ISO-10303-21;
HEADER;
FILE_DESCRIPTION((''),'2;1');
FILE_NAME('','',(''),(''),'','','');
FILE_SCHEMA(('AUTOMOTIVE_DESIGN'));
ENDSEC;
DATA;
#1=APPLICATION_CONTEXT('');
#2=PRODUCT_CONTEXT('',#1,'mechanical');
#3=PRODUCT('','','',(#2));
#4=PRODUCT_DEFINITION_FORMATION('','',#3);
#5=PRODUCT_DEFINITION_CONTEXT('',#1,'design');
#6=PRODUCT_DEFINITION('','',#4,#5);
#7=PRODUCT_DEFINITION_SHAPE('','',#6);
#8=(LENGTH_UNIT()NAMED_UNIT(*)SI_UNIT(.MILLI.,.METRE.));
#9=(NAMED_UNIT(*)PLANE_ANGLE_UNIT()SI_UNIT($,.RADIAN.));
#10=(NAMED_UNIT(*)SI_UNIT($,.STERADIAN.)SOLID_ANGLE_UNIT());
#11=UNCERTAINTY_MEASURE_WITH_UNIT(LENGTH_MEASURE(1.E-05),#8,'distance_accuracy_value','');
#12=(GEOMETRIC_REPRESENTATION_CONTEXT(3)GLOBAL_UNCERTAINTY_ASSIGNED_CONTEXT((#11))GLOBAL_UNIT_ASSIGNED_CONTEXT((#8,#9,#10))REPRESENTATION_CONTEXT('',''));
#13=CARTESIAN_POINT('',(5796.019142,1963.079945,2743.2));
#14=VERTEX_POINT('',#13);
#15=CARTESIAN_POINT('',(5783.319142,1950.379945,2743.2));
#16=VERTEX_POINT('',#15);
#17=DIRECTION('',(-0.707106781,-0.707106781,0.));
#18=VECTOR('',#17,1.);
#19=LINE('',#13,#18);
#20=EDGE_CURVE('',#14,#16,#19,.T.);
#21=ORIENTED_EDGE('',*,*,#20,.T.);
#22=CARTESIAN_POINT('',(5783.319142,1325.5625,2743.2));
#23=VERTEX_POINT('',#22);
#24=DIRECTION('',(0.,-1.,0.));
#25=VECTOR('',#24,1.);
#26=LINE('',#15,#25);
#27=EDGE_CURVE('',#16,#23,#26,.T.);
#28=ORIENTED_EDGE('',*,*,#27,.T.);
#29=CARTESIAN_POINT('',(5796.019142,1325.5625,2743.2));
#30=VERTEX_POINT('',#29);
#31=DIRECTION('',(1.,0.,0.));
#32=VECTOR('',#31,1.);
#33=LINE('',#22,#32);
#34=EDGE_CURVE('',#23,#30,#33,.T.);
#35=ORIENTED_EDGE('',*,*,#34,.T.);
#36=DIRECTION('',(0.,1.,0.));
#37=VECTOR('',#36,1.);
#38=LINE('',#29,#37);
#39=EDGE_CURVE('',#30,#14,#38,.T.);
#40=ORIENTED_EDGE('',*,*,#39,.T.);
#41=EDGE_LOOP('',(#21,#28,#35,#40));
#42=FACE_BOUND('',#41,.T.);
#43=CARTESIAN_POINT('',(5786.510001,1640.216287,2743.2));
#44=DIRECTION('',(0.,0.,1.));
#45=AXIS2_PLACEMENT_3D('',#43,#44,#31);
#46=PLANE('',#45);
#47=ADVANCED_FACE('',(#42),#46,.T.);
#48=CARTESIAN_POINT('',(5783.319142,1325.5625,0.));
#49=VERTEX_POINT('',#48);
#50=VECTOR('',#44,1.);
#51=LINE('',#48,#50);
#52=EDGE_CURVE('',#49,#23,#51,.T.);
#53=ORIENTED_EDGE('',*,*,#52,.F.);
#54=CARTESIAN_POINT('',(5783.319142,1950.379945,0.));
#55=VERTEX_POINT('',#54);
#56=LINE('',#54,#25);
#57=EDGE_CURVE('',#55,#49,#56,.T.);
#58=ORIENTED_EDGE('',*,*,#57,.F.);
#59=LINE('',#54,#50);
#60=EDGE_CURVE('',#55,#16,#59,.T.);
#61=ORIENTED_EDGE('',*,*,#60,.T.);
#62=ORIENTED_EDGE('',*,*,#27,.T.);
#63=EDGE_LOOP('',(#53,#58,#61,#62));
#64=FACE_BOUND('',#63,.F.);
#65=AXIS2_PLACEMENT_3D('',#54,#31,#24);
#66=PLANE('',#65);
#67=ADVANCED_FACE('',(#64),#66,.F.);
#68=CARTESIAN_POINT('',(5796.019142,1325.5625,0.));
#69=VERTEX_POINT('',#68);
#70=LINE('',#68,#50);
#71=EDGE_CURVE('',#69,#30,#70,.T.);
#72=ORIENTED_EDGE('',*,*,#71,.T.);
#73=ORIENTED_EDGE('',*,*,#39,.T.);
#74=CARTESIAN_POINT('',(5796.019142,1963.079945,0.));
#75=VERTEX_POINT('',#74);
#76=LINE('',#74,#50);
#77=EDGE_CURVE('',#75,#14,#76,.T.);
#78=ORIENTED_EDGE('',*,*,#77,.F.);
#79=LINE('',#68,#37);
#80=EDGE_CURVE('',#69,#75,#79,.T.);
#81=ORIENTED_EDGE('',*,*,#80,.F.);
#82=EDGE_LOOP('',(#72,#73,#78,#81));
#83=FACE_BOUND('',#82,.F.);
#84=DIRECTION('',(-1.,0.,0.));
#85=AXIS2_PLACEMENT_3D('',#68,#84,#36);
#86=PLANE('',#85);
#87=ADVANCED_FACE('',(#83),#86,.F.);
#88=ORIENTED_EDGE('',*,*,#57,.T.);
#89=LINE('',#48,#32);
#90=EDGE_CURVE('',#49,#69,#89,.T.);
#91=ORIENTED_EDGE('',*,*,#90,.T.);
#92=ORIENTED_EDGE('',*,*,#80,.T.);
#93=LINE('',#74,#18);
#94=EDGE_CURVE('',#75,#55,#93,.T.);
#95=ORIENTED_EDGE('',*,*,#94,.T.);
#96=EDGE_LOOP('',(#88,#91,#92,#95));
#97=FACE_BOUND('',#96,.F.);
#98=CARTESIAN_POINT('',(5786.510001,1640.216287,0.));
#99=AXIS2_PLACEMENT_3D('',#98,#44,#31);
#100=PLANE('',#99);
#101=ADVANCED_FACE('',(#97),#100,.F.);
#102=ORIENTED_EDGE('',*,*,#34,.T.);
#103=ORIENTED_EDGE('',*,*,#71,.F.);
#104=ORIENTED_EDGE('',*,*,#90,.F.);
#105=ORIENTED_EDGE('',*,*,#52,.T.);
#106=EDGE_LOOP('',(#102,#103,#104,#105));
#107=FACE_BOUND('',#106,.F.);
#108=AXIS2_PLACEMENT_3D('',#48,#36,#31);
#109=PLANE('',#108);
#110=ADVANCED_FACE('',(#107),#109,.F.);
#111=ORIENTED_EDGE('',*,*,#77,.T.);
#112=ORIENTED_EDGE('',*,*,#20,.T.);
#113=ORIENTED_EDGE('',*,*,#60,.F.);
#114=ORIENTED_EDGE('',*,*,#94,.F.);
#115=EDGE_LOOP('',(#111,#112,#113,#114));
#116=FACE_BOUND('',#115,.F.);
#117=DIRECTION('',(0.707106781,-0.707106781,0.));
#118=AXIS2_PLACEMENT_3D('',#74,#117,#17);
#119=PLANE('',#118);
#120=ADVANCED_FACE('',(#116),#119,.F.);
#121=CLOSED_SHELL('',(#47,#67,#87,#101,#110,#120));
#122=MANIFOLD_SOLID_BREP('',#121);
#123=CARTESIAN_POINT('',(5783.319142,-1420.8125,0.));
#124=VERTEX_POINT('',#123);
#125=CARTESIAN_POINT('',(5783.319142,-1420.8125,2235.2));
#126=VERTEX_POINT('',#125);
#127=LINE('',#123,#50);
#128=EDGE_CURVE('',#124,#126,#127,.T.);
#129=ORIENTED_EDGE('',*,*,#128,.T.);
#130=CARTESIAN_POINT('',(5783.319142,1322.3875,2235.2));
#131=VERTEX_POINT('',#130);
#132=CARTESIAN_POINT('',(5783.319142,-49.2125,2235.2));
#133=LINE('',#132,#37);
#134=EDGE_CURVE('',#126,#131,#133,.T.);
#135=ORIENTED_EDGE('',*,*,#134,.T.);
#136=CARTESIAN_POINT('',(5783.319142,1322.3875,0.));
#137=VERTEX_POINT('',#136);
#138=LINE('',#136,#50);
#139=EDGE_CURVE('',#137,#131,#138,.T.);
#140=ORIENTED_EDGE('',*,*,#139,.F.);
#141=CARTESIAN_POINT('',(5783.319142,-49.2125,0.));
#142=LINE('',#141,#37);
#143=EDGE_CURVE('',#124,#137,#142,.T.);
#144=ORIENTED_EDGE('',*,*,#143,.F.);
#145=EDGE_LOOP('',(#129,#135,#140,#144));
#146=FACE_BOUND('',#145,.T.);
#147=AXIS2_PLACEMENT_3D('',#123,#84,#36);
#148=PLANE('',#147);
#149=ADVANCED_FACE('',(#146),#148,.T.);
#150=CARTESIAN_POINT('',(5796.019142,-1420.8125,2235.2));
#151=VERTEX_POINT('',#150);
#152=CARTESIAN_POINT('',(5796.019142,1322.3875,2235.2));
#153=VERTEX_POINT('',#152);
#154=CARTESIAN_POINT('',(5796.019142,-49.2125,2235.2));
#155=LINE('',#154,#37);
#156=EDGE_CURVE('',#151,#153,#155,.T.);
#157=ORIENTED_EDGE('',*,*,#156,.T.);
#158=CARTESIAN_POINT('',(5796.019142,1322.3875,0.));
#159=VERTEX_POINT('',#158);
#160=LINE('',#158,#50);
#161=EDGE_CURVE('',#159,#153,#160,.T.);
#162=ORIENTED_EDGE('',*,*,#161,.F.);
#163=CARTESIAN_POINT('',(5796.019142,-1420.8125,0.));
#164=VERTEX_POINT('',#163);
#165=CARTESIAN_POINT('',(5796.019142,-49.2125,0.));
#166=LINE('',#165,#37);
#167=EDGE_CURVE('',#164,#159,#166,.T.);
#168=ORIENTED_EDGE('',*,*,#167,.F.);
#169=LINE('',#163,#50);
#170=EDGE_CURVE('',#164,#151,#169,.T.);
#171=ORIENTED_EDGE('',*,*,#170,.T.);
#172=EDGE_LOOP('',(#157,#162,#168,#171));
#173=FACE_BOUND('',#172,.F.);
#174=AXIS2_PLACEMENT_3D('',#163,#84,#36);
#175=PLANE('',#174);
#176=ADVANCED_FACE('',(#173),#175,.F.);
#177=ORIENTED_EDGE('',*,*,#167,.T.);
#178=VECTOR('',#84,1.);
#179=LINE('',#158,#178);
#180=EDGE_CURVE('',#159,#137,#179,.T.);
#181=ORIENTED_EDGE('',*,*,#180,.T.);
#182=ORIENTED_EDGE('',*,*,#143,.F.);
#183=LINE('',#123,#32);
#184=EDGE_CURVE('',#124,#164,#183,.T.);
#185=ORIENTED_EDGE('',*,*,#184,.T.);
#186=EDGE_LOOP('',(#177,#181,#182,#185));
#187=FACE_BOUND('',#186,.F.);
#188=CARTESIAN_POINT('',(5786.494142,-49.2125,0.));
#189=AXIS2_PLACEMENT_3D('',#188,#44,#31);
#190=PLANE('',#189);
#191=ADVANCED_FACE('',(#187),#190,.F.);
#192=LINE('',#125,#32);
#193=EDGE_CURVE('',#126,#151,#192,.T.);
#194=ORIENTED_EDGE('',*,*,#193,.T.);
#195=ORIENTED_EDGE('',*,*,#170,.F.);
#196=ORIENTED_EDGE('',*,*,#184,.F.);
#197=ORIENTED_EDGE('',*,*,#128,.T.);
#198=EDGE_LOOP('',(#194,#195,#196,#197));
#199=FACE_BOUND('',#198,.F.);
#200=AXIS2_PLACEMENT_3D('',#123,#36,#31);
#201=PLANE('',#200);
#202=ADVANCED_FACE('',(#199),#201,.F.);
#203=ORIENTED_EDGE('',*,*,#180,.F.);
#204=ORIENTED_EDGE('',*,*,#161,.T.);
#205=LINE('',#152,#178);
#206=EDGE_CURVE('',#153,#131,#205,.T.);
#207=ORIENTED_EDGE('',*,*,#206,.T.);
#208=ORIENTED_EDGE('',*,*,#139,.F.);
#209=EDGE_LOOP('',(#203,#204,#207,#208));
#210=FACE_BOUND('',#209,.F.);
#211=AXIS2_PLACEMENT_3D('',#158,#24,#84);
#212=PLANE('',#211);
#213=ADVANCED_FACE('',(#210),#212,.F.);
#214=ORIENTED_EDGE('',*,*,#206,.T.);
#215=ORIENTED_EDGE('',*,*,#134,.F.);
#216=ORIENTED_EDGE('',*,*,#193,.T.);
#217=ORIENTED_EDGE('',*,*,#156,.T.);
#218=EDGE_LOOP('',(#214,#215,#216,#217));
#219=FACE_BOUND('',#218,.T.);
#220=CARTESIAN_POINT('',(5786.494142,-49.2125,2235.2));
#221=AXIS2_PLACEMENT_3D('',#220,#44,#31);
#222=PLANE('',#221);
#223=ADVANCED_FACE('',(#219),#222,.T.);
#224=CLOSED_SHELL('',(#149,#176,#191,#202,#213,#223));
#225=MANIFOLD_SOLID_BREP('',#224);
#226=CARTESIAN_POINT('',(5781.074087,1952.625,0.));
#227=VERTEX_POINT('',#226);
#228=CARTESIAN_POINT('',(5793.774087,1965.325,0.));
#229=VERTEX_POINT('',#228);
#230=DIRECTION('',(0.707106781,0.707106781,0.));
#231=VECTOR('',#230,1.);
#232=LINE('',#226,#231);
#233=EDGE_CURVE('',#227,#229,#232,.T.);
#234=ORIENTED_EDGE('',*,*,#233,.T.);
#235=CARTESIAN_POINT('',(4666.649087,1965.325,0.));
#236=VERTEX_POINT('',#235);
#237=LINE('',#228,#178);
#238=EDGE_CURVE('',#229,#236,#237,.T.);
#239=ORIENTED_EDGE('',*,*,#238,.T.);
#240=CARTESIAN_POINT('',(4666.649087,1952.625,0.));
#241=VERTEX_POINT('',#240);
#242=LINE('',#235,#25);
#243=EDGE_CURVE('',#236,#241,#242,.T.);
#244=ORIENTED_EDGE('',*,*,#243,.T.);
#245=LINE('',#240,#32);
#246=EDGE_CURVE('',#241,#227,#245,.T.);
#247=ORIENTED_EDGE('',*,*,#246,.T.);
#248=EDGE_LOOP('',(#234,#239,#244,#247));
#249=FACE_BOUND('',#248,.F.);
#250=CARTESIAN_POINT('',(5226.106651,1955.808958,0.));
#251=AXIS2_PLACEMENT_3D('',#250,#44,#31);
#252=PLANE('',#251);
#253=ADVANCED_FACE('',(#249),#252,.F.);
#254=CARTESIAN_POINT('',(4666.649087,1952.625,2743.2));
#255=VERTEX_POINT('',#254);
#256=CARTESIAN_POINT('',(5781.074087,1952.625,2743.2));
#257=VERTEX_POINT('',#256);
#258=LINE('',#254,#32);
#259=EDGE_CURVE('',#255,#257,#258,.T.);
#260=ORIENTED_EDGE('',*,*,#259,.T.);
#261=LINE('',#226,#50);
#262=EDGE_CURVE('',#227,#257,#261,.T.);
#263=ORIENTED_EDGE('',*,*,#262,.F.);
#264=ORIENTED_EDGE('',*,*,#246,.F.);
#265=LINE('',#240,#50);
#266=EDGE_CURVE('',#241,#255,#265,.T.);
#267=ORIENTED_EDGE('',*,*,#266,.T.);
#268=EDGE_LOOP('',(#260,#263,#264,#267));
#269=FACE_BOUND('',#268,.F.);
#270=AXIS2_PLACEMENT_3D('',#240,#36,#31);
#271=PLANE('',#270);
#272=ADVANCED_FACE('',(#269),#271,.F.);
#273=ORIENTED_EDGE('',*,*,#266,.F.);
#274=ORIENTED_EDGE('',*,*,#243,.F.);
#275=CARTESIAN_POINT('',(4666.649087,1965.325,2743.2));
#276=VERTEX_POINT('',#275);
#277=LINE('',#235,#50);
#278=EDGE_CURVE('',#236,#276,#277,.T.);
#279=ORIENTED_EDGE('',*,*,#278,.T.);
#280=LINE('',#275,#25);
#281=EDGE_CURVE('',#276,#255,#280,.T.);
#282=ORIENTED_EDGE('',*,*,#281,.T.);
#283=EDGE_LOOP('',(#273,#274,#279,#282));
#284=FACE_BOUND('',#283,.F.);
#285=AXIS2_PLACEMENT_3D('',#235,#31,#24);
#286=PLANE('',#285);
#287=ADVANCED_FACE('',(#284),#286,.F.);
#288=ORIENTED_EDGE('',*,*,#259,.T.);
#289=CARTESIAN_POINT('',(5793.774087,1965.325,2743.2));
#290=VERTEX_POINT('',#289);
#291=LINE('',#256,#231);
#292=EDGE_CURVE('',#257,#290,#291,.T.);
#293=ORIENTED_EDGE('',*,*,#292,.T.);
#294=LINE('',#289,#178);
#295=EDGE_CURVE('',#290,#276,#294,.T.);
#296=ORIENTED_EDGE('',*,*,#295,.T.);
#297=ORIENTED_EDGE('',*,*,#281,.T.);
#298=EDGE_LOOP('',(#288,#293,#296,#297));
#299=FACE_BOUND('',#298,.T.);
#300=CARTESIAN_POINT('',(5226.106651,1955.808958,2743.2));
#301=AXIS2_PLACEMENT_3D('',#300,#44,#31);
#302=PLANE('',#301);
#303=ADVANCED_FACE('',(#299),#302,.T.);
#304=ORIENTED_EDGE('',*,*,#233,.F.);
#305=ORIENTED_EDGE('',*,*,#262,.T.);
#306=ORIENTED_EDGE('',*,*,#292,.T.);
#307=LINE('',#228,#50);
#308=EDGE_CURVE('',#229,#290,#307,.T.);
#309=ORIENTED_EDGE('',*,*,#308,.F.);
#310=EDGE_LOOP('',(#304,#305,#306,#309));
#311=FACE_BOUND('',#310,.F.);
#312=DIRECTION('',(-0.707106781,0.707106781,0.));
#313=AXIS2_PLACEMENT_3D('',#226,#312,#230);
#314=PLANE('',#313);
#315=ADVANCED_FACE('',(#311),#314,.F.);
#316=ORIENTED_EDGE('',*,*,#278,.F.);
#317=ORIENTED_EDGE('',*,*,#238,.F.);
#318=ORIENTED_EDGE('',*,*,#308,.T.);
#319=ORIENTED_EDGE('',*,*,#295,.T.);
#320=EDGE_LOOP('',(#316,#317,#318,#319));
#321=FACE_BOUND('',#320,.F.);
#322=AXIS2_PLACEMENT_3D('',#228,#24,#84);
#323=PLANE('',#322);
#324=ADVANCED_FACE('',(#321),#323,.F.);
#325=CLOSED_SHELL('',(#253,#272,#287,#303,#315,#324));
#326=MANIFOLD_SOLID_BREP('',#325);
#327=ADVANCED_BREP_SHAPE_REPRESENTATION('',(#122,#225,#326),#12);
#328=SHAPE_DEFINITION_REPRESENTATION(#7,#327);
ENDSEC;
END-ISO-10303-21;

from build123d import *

# Parameters (mm, degrees)
F1_DEPTH = 2743.2
F2_DEPTH = 2743.2
F0_W     = 6.35
F0_H     = 2743.2
F3_DEPTH = 2235.2


with BuildPart() as f1:
    # F0 (on Top) → F1 (new body)
    with BuildSketch(Plane.XY):
        Polygon((5787.424087, 1958.975), (4666.649087, 1958.975), (4666.649087, 1952.625), (5781.074087, 1952.625), align=None)
        Polygon((5789.669142, 1961.220055), (5793.774087, 1965.325), (4666.649087, 1965.325), (4666.649087, 1958.975), (5787.424087, 1958.975), align=None)
    extrude(amount=F1_DEPTH)


with BuildPart() as f2:
    # F0 (on Top) → F2 (new body)
    with BuildSketch(Plane.XY):
        Polygon((5789.669142, 1325.5625), (5789.669142, 1956.729945), (5783.319142, 1950.379945), (5783.319142, 1325.5625), align=None)
        Polygon((5791.914197, 1958.975), (5789.669142, 1956.729945), (5789.669142, 1325.5625), (5796.019142, 1325.5625), (5796.019142, 1963.079945), align=None)
    extrude(amount=F2_DEPTH)


with BuildPart() as f3:
    # F0 (on Top) → F3 (new body)
    with BuildSketch(Plane.XY):
        with Locations((5786.494142, -49.2125)):
            Rectangle(F0_W, F0_H)
        with Locations((5792.844142, -49.2125)):
            Rectangle(F0_W, F0_H)
    extrude(amount=F3_DEPTH)


solid = Compound([f1.part, f2.part, f3.part])
